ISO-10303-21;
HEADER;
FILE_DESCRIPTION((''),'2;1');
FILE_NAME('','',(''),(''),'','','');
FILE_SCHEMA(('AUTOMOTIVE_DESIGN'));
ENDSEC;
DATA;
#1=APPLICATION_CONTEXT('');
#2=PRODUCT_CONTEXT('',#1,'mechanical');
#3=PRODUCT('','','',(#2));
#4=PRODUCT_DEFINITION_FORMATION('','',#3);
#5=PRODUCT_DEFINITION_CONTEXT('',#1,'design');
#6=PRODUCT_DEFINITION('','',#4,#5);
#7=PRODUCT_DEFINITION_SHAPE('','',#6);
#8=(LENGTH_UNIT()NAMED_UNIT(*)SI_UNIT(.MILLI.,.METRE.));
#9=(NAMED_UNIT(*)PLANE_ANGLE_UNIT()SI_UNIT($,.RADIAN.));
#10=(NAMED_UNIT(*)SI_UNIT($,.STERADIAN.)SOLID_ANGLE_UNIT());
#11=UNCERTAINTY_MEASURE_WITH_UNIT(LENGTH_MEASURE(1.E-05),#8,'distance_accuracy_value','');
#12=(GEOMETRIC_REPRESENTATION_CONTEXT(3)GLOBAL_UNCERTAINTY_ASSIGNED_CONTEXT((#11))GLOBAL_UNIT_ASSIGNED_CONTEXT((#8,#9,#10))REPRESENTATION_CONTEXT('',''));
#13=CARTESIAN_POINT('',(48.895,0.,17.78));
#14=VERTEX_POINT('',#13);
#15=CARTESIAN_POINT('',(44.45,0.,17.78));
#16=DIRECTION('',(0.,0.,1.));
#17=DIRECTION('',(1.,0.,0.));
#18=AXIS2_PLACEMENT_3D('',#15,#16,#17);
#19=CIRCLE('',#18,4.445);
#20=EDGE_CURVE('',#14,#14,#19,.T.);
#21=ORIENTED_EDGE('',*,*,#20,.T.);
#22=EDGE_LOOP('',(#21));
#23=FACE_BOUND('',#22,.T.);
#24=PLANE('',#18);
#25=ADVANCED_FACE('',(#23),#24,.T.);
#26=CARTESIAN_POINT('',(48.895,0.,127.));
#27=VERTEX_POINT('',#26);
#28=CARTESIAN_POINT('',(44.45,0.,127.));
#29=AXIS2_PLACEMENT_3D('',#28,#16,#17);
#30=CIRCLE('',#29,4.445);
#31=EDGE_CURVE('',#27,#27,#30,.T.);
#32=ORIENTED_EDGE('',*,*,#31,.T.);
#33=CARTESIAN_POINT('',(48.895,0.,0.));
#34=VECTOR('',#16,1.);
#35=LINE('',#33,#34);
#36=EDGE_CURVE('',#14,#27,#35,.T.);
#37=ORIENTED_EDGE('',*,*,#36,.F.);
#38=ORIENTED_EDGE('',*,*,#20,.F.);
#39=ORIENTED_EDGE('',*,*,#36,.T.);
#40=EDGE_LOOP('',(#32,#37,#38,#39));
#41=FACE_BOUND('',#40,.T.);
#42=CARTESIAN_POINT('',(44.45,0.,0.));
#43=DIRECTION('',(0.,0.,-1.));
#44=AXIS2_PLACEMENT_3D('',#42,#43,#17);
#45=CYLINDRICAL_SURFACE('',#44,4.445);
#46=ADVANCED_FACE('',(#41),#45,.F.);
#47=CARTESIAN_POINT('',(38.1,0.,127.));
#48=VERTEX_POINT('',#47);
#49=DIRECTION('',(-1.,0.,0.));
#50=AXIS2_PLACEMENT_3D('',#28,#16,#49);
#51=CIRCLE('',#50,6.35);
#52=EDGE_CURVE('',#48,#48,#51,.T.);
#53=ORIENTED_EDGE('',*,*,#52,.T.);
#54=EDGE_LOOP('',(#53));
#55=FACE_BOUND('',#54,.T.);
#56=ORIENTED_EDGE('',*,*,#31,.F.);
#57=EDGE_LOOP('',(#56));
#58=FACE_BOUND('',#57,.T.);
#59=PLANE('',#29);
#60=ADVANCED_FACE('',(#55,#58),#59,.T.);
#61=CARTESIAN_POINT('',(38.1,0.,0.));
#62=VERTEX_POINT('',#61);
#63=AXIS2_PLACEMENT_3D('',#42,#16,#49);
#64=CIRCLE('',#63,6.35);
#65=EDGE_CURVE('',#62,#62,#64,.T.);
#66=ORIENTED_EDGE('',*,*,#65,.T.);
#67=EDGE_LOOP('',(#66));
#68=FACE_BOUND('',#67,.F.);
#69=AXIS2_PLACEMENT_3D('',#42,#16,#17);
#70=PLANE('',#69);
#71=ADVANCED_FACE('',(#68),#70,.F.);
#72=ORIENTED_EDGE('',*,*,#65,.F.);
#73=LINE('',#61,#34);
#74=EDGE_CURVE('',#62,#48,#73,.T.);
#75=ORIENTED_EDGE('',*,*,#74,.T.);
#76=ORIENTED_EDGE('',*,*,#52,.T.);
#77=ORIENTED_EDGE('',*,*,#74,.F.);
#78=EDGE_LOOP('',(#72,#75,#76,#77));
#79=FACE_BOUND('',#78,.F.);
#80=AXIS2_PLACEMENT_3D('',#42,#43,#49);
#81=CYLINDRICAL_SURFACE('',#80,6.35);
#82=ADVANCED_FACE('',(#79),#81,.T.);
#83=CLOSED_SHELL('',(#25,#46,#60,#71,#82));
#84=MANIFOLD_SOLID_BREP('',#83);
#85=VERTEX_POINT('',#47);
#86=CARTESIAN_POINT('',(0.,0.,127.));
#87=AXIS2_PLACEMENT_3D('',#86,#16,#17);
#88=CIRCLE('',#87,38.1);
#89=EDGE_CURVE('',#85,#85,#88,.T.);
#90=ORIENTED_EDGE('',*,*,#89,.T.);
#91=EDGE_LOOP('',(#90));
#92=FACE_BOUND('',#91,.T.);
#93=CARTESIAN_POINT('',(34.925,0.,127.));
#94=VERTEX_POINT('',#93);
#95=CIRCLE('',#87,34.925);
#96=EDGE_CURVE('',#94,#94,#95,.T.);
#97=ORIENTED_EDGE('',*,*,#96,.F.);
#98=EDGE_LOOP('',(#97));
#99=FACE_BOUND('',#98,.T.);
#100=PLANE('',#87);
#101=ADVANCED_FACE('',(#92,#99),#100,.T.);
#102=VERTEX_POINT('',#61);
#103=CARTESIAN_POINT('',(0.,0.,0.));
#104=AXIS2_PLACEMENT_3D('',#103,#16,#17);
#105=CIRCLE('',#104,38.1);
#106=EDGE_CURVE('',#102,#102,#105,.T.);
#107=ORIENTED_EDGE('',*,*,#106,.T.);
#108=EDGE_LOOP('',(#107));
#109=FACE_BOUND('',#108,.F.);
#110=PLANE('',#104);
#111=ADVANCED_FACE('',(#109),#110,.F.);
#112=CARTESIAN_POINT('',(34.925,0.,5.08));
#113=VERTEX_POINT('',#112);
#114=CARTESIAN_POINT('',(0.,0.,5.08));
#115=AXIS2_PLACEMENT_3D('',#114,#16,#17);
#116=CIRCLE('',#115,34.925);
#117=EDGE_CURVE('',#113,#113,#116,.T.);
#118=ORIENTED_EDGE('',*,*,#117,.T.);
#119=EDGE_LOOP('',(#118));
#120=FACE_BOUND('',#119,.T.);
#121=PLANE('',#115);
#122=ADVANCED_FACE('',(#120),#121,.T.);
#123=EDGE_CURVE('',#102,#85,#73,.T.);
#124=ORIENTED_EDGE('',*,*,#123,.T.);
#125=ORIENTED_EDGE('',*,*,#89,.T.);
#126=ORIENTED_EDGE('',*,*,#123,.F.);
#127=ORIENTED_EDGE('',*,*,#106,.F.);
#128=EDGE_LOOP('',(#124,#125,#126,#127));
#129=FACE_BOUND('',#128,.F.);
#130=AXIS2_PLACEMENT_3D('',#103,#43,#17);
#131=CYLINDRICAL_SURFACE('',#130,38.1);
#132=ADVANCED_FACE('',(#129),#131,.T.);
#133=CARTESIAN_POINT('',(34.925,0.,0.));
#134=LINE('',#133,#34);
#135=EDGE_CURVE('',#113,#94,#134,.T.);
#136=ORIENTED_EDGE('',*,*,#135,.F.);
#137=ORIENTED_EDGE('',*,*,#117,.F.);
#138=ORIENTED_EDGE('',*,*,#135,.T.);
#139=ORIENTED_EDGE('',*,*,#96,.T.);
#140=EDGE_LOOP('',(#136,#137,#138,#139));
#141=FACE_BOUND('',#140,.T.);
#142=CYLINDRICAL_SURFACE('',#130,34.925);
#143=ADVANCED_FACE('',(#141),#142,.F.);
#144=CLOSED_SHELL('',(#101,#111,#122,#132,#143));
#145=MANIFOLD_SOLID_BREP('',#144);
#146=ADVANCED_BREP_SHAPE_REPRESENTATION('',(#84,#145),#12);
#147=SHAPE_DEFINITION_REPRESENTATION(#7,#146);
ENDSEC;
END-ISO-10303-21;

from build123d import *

# Parameters (mm, degrees)
F0_R     = 38.1
F0_R_2   = 34.925
F0_R_3   = 4.445
F1_DEPTH = 127
F2_DEPTH = 5.08
F3_DEPTH = 17.78


with BuildPart() as f1:
    # F0 (on Top) → F1 (new body)
    with BuildSketch(Plane.XY):
        Circle(F0_R)
        Circle(F0_R_2, mode=Mode.SUBTRACT)
        with BuildLine():
            ThreePointArc((50.8, 0), (44.45, 6.35), (38.1, 0))
            ThreePointArc((38.1, 0), (44.45, -6.35), (50.8, 0))
        make_face()
        with Locations((44.45, 0)):
            Circle(F0_R_3, mode=Mode.SUBTRACT)
    extrude(amount=F1_DEPTH)

    # F0 (on Top) → F2 (join)
    with BuildSketch(Plane.XY):
        Circle(F0_R_2)
    extrude(amount=F2_DEPTH)

    # F0 (on Top) → F3 (join)
    with BuildSketch(Plane.XY):
        with Locations((44.45, 0)):
            Circle(F0_R_3)
    extrude(amount=F3_DEPTH)


solid = f1.part
